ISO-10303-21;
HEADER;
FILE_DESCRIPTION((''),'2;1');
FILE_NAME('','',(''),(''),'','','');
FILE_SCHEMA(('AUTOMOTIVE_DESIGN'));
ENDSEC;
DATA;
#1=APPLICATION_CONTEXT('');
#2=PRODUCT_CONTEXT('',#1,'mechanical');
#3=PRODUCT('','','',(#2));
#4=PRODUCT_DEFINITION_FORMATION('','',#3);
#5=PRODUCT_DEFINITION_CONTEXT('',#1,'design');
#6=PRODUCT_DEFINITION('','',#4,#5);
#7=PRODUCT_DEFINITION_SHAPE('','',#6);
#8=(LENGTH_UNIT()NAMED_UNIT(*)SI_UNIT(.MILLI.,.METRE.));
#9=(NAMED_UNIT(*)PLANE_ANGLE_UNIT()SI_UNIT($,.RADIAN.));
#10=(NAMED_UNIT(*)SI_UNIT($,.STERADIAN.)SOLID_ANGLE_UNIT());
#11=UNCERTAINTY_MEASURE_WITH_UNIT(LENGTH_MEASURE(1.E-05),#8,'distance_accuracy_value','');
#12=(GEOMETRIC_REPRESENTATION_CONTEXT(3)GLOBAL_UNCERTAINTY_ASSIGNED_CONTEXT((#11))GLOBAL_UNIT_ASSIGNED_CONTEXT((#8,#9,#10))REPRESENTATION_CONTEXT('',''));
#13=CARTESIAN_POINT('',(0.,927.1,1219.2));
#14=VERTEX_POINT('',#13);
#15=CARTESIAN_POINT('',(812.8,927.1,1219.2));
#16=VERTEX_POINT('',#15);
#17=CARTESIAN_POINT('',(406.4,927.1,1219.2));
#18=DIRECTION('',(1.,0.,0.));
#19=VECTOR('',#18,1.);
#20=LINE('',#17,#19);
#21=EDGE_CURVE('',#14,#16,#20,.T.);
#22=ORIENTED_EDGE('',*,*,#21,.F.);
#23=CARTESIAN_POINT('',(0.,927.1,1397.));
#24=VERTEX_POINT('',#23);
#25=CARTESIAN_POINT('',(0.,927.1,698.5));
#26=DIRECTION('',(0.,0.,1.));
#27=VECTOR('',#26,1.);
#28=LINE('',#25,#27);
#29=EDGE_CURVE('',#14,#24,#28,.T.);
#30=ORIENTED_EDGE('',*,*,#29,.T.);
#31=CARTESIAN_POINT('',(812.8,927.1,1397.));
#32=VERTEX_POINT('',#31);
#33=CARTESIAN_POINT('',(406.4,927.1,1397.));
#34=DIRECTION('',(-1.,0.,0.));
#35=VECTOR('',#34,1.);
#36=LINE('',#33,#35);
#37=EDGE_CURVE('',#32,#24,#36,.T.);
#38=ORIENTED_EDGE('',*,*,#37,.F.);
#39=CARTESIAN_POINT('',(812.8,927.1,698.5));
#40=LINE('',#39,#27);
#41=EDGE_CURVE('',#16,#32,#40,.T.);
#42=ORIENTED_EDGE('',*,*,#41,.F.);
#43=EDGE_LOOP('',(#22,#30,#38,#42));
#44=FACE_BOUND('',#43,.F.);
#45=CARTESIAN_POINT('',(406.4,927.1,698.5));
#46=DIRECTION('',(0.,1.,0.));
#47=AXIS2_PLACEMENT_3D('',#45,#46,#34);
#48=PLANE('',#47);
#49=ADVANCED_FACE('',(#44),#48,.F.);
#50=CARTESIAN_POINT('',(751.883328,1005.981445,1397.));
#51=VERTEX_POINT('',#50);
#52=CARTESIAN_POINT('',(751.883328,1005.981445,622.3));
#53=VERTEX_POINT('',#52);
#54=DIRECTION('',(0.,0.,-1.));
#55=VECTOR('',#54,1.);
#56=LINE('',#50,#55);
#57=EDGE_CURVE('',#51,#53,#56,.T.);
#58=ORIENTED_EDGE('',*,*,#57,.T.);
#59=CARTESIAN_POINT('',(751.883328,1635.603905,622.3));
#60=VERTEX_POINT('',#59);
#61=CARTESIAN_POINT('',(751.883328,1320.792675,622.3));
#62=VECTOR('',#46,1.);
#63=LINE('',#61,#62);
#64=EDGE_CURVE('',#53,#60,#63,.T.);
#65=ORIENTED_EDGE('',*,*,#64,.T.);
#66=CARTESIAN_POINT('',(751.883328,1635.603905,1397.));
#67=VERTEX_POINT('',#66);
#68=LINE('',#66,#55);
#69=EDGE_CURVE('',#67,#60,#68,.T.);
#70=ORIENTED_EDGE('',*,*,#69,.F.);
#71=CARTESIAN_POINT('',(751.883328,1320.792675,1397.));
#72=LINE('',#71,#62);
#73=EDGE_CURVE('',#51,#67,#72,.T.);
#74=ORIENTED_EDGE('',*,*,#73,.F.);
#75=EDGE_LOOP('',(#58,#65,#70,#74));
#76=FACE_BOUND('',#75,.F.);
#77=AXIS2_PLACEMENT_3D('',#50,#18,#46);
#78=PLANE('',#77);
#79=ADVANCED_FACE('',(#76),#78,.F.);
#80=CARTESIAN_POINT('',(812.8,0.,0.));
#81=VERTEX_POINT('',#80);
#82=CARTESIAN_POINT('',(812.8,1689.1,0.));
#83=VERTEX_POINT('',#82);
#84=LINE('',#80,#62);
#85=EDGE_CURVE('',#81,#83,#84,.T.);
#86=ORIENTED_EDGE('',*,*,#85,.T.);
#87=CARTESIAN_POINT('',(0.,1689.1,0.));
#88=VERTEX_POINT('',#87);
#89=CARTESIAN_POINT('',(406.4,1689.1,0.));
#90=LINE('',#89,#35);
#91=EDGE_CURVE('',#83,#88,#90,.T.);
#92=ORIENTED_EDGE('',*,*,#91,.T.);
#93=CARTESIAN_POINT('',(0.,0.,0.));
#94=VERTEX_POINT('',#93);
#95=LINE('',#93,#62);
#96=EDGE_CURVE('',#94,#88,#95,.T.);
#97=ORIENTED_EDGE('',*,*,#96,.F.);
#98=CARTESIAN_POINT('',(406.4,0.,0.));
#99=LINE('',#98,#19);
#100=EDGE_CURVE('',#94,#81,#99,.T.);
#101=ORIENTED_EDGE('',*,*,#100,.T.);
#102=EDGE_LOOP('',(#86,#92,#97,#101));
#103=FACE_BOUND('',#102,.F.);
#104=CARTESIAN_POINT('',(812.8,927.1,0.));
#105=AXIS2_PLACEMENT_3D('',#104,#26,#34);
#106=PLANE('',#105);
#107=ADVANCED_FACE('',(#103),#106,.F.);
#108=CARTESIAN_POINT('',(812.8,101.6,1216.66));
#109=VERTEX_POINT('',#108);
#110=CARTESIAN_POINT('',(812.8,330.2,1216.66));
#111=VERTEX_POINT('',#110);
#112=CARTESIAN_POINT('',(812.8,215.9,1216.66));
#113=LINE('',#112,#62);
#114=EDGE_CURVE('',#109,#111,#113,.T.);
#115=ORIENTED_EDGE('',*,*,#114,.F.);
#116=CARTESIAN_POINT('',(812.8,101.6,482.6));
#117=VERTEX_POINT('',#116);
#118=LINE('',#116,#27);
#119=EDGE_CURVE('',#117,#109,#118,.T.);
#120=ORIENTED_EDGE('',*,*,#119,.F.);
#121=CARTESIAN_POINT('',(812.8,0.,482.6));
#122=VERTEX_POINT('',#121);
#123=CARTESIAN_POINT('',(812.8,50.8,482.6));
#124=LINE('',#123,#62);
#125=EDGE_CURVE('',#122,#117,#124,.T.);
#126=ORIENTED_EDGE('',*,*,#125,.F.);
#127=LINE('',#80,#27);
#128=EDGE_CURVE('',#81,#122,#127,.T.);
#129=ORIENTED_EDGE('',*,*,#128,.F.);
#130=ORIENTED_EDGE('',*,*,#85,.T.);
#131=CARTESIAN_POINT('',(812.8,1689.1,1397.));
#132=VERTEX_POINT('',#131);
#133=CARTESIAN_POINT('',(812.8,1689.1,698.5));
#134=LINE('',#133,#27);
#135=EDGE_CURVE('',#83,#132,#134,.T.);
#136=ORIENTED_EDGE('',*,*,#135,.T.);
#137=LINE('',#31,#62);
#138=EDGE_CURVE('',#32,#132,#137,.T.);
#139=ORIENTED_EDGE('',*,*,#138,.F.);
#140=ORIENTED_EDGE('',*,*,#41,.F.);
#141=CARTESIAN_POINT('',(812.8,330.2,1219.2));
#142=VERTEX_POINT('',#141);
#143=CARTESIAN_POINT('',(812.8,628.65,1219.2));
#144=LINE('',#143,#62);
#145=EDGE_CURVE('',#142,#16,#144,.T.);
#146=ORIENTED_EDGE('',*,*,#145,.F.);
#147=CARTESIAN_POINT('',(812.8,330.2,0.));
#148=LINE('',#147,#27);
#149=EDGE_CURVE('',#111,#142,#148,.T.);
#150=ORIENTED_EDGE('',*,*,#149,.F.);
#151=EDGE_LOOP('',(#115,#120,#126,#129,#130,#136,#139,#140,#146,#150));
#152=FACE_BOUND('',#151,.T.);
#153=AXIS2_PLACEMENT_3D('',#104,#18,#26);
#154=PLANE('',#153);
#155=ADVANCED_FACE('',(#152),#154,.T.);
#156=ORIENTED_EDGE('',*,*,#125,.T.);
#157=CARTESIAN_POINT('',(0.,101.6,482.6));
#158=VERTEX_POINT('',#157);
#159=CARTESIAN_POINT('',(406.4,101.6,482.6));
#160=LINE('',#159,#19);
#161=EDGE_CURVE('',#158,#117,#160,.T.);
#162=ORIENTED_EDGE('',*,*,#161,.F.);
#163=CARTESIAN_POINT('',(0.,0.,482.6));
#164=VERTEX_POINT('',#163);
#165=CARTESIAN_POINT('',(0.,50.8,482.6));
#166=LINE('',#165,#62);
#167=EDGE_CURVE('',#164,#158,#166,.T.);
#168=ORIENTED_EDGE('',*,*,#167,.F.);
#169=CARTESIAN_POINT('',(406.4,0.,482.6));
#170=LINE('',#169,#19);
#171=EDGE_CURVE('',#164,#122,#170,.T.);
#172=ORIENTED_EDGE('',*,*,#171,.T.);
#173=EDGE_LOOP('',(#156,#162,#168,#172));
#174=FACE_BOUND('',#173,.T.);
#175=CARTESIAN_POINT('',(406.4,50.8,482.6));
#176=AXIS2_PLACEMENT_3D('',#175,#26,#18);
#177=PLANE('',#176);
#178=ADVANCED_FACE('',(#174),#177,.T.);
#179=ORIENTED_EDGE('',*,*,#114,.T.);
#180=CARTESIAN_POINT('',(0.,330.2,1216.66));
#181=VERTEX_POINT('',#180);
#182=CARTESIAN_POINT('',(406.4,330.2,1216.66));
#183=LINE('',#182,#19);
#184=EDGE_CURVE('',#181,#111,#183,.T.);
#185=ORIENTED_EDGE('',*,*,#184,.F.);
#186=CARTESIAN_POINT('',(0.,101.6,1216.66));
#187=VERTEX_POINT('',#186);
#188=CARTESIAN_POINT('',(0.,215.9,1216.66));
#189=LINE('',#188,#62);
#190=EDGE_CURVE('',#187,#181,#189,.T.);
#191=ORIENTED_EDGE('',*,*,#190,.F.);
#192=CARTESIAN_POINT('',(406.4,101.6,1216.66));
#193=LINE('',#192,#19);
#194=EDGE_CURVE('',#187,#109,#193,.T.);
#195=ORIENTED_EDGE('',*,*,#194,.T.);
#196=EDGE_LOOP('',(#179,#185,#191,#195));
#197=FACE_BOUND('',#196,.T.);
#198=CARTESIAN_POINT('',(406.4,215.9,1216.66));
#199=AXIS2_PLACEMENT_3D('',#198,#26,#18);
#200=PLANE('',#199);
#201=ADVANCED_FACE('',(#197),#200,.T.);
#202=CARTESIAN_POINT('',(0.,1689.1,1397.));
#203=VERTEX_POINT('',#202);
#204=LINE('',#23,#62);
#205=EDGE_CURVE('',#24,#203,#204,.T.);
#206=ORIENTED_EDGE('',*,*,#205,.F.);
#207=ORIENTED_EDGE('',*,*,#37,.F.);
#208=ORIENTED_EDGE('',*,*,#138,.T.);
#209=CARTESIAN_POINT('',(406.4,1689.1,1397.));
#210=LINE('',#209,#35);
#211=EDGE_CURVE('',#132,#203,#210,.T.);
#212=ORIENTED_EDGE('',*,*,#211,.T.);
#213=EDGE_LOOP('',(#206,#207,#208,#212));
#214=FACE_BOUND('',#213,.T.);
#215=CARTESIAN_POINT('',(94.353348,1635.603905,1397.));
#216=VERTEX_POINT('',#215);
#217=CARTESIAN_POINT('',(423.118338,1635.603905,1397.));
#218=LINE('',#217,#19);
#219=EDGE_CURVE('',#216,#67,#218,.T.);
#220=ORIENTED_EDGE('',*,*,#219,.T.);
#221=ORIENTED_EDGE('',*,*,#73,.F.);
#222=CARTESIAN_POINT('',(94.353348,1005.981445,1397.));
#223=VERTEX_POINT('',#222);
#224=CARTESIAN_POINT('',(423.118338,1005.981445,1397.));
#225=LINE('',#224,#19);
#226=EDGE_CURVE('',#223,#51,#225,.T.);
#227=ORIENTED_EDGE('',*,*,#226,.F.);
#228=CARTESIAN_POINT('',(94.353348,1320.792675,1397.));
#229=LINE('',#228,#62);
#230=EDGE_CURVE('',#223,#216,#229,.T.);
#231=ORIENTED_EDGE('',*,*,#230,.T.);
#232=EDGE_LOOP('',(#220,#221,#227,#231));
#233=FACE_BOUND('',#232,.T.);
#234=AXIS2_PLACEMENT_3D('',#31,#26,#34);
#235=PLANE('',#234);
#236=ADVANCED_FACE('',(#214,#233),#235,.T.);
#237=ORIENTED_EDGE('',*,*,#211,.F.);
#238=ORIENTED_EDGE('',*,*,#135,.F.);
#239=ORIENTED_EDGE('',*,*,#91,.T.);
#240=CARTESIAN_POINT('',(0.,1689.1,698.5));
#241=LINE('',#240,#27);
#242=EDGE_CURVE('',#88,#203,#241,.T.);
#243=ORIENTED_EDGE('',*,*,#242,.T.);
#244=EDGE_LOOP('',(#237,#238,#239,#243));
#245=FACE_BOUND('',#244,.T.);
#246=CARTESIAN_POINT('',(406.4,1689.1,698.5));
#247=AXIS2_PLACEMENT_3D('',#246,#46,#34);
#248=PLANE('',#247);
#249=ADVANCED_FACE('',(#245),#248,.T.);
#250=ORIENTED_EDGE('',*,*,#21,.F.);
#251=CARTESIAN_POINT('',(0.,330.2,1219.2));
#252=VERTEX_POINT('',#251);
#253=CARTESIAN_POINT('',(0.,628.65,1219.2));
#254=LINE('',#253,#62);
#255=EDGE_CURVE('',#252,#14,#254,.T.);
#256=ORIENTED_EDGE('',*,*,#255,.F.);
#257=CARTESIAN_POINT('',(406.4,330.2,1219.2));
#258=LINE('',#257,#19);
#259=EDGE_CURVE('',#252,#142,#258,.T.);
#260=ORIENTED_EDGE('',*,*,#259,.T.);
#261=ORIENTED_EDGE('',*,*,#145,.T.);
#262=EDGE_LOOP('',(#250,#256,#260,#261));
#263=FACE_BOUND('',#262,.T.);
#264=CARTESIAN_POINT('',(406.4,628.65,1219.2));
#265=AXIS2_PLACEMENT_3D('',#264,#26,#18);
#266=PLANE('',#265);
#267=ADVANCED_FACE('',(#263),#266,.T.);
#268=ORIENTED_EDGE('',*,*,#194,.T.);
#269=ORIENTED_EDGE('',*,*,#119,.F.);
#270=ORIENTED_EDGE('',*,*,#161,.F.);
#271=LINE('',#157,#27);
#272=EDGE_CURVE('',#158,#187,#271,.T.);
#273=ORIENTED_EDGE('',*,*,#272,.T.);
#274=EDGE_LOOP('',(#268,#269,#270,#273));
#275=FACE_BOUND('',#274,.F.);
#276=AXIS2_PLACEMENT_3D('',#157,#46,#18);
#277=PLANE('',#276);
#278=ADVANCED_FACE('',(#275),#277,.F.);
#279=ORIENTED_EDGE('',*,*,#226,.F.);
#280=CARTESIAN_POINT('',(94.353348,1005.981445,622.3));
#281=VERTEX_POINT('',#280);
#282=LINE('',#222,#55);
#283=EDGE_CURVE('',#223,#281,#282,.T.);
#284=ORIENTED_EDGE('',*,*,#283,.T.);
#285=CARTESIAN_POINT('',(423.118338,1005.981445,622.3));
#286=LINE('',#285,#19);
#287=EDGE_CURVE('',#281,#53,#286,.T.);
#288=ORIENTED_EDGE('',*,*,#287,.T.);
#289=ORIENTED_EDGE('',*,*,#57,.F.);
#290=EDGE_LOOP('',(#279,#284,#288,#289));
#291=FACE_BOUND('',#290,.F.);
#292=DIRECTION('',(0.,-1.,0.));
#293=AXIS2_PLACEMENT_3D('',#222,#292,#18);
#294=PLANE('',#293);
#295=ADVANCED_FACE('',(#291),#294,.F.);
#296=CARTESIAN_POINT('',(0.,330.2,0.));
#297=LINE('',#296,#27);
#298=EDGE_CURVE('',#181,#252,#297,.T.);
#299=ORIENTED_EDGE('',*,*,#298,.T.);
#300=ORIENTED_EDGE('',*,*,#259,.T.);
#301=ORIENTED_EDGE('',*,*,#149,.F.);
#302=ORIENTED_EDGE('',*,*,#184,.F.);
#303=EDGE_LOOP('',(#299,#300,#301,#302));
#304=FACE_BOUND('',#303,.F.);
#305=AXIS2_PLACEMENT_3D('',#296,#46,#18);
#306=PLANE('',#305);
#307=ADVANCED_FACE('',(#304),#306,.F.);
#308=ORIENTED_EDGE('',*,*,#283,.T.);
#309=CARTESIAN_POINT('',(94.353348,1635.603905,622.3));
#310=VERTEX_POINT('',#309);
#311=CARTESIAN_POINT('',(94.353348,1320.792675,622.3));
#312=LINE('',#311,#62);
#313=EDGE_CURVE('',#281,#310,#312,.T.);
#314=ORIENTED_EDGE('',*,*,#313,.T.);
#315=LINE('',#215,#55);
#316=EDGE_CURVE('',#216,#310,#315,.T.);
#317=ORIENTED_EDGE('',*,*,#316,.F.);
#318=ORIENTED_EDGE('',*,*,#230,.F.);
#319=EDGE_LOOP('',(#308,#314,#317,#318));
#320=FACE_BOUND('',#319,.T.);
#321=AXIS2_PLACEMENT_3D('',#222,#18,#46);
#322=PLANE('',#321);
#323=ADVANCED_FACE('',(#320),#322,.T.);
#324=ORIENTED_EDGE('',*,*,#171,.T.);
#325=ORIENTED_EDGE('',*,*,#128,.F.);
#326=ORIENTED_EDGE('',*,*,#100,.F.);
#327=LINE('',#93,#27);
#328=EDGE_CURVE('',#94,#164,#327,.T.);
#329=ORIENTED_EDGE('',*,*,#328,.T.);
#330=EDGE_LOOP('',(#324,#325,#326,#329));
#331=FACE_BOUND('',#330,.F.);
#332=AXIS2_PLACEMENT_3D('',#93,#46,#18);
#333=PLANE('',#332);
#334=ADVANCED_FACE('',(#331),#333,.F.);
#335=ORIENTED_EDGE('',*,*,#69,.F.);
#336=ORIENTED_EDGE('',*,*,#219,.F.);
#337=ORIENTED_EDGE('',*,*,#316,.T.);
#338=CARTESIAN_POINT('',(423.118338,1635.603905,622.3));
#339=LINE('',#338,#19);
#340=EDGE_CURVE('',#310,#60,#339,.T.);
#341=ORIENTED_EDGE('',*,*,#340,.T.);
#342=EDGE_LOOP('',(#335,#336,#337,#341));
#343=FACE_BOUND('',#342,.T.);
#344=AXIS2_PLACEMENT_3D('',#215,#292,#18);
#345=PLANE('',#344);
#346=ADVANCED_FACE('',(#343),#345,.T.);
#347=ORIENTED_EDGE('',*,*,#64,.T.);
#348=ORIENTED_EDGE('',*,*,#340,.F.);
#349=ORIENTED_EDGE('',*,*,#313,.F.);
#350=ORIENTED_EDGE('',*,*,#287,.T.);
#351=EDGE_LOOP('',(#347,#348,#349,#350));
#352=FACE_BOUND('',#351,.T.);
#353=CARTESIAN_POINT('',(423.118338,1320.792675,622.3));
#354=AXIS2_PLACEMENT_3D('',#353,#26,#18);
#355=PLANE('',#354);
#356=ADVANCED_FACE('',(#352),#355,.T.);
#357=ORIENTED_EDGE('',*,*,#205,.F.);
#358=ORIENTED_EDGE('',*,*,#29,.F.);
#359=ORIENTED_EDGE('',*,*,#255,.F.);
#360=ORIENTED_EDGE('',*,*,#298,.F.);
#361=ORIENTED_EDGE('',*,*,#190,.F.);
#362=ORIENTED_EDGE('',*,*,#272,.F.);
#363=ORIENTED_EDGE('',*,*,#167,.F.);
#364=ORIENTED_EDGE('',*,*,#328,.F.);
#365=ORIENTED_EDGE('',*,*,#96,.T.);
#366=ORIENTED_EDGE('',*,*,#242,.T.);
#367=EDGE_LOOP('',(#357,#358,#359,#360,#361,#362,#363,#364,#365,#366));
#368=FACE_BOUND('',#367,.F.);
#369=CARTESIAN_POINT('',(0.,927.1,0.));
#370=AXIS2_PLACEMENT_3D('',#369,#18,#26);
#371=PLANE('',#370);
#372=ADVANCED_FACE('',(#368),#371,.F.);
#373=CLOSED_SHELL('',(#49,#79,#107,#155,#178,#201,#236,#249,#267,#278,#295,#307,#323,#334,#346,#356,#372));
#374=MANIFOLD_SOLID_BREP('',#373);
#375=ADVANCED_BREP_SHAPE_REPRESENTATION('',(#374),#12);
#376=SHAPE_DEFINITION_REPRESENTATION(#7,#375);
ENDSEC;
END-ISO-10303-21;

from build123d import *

# Parameters (mm, degrees)
F0_W          = 812.8
F0_H          = 101.6
F1_DEPTH      = 482.6
F2_W          = 812.8
F2_H          = 228.6
F3_DEPTH      = 734.06
F3_DEPTH_BACK = 482.6
F4_W          = 812.8
F4_H          = 596.9
F5_DEPTH      = 1219.2
F6_W          = 812.8
F6_H          = 1397
F7_DEPTH      = 762
F8_W          = 657.52998
F8_H          = 629.62246
F9_DEPTH      = 774.7


with BuildPart() as f1:
    # F0 (on Top) → F1 (new body)
    with BuildSketch(Plane.XY):
        with Locations((406.4, 50.8)):
            Rectangle(F0_W, F0_H)
    extrude(amount=F1_DEPTH)

    # F2 (on face) → F3 (join, two sides)
    with BuildSketch(Plane.XY.offset(482.6)) as f3_sk:
        with Locations((406.4, 215.9)):
            Rectangle(F2_W, F2_H)
    extrude(amount=F3_DEPTH)
    extrude(f3_sk.sketch, amount=-F3_DEPTH_BACK)

    # F4 (on Top) → F5 (join)
    with BuildSketch(Plane.XY):
        with Locations((406.4, 628.65)):
            Rectangle(F4_W, F4_H)
    extrude(amount=F5_DEPTH)

    # F6 (on face) → F7 (join)
    with BuildSketch(Plane(origin=(0, 927.1, 0), x_dir=(-1, 0, 0), z_dir=(0, 1, 0))):
        with Locations((-406.4, 698.5)):
            Rectangle(F6_W, F6_H)
    extrude(amount=F7_DEPTH)

    # F8 (on face) → F9 (cut)
    with BuildSketch(Plane.XY.offset(1397)):
        with Locations((423.118338, 1320.792675)):
            Rectangle(F8_W, F8_H)
    extrude(amount=-F9_DEPTH, mode=Mode.SUBTRACT)


solid = f1.part
